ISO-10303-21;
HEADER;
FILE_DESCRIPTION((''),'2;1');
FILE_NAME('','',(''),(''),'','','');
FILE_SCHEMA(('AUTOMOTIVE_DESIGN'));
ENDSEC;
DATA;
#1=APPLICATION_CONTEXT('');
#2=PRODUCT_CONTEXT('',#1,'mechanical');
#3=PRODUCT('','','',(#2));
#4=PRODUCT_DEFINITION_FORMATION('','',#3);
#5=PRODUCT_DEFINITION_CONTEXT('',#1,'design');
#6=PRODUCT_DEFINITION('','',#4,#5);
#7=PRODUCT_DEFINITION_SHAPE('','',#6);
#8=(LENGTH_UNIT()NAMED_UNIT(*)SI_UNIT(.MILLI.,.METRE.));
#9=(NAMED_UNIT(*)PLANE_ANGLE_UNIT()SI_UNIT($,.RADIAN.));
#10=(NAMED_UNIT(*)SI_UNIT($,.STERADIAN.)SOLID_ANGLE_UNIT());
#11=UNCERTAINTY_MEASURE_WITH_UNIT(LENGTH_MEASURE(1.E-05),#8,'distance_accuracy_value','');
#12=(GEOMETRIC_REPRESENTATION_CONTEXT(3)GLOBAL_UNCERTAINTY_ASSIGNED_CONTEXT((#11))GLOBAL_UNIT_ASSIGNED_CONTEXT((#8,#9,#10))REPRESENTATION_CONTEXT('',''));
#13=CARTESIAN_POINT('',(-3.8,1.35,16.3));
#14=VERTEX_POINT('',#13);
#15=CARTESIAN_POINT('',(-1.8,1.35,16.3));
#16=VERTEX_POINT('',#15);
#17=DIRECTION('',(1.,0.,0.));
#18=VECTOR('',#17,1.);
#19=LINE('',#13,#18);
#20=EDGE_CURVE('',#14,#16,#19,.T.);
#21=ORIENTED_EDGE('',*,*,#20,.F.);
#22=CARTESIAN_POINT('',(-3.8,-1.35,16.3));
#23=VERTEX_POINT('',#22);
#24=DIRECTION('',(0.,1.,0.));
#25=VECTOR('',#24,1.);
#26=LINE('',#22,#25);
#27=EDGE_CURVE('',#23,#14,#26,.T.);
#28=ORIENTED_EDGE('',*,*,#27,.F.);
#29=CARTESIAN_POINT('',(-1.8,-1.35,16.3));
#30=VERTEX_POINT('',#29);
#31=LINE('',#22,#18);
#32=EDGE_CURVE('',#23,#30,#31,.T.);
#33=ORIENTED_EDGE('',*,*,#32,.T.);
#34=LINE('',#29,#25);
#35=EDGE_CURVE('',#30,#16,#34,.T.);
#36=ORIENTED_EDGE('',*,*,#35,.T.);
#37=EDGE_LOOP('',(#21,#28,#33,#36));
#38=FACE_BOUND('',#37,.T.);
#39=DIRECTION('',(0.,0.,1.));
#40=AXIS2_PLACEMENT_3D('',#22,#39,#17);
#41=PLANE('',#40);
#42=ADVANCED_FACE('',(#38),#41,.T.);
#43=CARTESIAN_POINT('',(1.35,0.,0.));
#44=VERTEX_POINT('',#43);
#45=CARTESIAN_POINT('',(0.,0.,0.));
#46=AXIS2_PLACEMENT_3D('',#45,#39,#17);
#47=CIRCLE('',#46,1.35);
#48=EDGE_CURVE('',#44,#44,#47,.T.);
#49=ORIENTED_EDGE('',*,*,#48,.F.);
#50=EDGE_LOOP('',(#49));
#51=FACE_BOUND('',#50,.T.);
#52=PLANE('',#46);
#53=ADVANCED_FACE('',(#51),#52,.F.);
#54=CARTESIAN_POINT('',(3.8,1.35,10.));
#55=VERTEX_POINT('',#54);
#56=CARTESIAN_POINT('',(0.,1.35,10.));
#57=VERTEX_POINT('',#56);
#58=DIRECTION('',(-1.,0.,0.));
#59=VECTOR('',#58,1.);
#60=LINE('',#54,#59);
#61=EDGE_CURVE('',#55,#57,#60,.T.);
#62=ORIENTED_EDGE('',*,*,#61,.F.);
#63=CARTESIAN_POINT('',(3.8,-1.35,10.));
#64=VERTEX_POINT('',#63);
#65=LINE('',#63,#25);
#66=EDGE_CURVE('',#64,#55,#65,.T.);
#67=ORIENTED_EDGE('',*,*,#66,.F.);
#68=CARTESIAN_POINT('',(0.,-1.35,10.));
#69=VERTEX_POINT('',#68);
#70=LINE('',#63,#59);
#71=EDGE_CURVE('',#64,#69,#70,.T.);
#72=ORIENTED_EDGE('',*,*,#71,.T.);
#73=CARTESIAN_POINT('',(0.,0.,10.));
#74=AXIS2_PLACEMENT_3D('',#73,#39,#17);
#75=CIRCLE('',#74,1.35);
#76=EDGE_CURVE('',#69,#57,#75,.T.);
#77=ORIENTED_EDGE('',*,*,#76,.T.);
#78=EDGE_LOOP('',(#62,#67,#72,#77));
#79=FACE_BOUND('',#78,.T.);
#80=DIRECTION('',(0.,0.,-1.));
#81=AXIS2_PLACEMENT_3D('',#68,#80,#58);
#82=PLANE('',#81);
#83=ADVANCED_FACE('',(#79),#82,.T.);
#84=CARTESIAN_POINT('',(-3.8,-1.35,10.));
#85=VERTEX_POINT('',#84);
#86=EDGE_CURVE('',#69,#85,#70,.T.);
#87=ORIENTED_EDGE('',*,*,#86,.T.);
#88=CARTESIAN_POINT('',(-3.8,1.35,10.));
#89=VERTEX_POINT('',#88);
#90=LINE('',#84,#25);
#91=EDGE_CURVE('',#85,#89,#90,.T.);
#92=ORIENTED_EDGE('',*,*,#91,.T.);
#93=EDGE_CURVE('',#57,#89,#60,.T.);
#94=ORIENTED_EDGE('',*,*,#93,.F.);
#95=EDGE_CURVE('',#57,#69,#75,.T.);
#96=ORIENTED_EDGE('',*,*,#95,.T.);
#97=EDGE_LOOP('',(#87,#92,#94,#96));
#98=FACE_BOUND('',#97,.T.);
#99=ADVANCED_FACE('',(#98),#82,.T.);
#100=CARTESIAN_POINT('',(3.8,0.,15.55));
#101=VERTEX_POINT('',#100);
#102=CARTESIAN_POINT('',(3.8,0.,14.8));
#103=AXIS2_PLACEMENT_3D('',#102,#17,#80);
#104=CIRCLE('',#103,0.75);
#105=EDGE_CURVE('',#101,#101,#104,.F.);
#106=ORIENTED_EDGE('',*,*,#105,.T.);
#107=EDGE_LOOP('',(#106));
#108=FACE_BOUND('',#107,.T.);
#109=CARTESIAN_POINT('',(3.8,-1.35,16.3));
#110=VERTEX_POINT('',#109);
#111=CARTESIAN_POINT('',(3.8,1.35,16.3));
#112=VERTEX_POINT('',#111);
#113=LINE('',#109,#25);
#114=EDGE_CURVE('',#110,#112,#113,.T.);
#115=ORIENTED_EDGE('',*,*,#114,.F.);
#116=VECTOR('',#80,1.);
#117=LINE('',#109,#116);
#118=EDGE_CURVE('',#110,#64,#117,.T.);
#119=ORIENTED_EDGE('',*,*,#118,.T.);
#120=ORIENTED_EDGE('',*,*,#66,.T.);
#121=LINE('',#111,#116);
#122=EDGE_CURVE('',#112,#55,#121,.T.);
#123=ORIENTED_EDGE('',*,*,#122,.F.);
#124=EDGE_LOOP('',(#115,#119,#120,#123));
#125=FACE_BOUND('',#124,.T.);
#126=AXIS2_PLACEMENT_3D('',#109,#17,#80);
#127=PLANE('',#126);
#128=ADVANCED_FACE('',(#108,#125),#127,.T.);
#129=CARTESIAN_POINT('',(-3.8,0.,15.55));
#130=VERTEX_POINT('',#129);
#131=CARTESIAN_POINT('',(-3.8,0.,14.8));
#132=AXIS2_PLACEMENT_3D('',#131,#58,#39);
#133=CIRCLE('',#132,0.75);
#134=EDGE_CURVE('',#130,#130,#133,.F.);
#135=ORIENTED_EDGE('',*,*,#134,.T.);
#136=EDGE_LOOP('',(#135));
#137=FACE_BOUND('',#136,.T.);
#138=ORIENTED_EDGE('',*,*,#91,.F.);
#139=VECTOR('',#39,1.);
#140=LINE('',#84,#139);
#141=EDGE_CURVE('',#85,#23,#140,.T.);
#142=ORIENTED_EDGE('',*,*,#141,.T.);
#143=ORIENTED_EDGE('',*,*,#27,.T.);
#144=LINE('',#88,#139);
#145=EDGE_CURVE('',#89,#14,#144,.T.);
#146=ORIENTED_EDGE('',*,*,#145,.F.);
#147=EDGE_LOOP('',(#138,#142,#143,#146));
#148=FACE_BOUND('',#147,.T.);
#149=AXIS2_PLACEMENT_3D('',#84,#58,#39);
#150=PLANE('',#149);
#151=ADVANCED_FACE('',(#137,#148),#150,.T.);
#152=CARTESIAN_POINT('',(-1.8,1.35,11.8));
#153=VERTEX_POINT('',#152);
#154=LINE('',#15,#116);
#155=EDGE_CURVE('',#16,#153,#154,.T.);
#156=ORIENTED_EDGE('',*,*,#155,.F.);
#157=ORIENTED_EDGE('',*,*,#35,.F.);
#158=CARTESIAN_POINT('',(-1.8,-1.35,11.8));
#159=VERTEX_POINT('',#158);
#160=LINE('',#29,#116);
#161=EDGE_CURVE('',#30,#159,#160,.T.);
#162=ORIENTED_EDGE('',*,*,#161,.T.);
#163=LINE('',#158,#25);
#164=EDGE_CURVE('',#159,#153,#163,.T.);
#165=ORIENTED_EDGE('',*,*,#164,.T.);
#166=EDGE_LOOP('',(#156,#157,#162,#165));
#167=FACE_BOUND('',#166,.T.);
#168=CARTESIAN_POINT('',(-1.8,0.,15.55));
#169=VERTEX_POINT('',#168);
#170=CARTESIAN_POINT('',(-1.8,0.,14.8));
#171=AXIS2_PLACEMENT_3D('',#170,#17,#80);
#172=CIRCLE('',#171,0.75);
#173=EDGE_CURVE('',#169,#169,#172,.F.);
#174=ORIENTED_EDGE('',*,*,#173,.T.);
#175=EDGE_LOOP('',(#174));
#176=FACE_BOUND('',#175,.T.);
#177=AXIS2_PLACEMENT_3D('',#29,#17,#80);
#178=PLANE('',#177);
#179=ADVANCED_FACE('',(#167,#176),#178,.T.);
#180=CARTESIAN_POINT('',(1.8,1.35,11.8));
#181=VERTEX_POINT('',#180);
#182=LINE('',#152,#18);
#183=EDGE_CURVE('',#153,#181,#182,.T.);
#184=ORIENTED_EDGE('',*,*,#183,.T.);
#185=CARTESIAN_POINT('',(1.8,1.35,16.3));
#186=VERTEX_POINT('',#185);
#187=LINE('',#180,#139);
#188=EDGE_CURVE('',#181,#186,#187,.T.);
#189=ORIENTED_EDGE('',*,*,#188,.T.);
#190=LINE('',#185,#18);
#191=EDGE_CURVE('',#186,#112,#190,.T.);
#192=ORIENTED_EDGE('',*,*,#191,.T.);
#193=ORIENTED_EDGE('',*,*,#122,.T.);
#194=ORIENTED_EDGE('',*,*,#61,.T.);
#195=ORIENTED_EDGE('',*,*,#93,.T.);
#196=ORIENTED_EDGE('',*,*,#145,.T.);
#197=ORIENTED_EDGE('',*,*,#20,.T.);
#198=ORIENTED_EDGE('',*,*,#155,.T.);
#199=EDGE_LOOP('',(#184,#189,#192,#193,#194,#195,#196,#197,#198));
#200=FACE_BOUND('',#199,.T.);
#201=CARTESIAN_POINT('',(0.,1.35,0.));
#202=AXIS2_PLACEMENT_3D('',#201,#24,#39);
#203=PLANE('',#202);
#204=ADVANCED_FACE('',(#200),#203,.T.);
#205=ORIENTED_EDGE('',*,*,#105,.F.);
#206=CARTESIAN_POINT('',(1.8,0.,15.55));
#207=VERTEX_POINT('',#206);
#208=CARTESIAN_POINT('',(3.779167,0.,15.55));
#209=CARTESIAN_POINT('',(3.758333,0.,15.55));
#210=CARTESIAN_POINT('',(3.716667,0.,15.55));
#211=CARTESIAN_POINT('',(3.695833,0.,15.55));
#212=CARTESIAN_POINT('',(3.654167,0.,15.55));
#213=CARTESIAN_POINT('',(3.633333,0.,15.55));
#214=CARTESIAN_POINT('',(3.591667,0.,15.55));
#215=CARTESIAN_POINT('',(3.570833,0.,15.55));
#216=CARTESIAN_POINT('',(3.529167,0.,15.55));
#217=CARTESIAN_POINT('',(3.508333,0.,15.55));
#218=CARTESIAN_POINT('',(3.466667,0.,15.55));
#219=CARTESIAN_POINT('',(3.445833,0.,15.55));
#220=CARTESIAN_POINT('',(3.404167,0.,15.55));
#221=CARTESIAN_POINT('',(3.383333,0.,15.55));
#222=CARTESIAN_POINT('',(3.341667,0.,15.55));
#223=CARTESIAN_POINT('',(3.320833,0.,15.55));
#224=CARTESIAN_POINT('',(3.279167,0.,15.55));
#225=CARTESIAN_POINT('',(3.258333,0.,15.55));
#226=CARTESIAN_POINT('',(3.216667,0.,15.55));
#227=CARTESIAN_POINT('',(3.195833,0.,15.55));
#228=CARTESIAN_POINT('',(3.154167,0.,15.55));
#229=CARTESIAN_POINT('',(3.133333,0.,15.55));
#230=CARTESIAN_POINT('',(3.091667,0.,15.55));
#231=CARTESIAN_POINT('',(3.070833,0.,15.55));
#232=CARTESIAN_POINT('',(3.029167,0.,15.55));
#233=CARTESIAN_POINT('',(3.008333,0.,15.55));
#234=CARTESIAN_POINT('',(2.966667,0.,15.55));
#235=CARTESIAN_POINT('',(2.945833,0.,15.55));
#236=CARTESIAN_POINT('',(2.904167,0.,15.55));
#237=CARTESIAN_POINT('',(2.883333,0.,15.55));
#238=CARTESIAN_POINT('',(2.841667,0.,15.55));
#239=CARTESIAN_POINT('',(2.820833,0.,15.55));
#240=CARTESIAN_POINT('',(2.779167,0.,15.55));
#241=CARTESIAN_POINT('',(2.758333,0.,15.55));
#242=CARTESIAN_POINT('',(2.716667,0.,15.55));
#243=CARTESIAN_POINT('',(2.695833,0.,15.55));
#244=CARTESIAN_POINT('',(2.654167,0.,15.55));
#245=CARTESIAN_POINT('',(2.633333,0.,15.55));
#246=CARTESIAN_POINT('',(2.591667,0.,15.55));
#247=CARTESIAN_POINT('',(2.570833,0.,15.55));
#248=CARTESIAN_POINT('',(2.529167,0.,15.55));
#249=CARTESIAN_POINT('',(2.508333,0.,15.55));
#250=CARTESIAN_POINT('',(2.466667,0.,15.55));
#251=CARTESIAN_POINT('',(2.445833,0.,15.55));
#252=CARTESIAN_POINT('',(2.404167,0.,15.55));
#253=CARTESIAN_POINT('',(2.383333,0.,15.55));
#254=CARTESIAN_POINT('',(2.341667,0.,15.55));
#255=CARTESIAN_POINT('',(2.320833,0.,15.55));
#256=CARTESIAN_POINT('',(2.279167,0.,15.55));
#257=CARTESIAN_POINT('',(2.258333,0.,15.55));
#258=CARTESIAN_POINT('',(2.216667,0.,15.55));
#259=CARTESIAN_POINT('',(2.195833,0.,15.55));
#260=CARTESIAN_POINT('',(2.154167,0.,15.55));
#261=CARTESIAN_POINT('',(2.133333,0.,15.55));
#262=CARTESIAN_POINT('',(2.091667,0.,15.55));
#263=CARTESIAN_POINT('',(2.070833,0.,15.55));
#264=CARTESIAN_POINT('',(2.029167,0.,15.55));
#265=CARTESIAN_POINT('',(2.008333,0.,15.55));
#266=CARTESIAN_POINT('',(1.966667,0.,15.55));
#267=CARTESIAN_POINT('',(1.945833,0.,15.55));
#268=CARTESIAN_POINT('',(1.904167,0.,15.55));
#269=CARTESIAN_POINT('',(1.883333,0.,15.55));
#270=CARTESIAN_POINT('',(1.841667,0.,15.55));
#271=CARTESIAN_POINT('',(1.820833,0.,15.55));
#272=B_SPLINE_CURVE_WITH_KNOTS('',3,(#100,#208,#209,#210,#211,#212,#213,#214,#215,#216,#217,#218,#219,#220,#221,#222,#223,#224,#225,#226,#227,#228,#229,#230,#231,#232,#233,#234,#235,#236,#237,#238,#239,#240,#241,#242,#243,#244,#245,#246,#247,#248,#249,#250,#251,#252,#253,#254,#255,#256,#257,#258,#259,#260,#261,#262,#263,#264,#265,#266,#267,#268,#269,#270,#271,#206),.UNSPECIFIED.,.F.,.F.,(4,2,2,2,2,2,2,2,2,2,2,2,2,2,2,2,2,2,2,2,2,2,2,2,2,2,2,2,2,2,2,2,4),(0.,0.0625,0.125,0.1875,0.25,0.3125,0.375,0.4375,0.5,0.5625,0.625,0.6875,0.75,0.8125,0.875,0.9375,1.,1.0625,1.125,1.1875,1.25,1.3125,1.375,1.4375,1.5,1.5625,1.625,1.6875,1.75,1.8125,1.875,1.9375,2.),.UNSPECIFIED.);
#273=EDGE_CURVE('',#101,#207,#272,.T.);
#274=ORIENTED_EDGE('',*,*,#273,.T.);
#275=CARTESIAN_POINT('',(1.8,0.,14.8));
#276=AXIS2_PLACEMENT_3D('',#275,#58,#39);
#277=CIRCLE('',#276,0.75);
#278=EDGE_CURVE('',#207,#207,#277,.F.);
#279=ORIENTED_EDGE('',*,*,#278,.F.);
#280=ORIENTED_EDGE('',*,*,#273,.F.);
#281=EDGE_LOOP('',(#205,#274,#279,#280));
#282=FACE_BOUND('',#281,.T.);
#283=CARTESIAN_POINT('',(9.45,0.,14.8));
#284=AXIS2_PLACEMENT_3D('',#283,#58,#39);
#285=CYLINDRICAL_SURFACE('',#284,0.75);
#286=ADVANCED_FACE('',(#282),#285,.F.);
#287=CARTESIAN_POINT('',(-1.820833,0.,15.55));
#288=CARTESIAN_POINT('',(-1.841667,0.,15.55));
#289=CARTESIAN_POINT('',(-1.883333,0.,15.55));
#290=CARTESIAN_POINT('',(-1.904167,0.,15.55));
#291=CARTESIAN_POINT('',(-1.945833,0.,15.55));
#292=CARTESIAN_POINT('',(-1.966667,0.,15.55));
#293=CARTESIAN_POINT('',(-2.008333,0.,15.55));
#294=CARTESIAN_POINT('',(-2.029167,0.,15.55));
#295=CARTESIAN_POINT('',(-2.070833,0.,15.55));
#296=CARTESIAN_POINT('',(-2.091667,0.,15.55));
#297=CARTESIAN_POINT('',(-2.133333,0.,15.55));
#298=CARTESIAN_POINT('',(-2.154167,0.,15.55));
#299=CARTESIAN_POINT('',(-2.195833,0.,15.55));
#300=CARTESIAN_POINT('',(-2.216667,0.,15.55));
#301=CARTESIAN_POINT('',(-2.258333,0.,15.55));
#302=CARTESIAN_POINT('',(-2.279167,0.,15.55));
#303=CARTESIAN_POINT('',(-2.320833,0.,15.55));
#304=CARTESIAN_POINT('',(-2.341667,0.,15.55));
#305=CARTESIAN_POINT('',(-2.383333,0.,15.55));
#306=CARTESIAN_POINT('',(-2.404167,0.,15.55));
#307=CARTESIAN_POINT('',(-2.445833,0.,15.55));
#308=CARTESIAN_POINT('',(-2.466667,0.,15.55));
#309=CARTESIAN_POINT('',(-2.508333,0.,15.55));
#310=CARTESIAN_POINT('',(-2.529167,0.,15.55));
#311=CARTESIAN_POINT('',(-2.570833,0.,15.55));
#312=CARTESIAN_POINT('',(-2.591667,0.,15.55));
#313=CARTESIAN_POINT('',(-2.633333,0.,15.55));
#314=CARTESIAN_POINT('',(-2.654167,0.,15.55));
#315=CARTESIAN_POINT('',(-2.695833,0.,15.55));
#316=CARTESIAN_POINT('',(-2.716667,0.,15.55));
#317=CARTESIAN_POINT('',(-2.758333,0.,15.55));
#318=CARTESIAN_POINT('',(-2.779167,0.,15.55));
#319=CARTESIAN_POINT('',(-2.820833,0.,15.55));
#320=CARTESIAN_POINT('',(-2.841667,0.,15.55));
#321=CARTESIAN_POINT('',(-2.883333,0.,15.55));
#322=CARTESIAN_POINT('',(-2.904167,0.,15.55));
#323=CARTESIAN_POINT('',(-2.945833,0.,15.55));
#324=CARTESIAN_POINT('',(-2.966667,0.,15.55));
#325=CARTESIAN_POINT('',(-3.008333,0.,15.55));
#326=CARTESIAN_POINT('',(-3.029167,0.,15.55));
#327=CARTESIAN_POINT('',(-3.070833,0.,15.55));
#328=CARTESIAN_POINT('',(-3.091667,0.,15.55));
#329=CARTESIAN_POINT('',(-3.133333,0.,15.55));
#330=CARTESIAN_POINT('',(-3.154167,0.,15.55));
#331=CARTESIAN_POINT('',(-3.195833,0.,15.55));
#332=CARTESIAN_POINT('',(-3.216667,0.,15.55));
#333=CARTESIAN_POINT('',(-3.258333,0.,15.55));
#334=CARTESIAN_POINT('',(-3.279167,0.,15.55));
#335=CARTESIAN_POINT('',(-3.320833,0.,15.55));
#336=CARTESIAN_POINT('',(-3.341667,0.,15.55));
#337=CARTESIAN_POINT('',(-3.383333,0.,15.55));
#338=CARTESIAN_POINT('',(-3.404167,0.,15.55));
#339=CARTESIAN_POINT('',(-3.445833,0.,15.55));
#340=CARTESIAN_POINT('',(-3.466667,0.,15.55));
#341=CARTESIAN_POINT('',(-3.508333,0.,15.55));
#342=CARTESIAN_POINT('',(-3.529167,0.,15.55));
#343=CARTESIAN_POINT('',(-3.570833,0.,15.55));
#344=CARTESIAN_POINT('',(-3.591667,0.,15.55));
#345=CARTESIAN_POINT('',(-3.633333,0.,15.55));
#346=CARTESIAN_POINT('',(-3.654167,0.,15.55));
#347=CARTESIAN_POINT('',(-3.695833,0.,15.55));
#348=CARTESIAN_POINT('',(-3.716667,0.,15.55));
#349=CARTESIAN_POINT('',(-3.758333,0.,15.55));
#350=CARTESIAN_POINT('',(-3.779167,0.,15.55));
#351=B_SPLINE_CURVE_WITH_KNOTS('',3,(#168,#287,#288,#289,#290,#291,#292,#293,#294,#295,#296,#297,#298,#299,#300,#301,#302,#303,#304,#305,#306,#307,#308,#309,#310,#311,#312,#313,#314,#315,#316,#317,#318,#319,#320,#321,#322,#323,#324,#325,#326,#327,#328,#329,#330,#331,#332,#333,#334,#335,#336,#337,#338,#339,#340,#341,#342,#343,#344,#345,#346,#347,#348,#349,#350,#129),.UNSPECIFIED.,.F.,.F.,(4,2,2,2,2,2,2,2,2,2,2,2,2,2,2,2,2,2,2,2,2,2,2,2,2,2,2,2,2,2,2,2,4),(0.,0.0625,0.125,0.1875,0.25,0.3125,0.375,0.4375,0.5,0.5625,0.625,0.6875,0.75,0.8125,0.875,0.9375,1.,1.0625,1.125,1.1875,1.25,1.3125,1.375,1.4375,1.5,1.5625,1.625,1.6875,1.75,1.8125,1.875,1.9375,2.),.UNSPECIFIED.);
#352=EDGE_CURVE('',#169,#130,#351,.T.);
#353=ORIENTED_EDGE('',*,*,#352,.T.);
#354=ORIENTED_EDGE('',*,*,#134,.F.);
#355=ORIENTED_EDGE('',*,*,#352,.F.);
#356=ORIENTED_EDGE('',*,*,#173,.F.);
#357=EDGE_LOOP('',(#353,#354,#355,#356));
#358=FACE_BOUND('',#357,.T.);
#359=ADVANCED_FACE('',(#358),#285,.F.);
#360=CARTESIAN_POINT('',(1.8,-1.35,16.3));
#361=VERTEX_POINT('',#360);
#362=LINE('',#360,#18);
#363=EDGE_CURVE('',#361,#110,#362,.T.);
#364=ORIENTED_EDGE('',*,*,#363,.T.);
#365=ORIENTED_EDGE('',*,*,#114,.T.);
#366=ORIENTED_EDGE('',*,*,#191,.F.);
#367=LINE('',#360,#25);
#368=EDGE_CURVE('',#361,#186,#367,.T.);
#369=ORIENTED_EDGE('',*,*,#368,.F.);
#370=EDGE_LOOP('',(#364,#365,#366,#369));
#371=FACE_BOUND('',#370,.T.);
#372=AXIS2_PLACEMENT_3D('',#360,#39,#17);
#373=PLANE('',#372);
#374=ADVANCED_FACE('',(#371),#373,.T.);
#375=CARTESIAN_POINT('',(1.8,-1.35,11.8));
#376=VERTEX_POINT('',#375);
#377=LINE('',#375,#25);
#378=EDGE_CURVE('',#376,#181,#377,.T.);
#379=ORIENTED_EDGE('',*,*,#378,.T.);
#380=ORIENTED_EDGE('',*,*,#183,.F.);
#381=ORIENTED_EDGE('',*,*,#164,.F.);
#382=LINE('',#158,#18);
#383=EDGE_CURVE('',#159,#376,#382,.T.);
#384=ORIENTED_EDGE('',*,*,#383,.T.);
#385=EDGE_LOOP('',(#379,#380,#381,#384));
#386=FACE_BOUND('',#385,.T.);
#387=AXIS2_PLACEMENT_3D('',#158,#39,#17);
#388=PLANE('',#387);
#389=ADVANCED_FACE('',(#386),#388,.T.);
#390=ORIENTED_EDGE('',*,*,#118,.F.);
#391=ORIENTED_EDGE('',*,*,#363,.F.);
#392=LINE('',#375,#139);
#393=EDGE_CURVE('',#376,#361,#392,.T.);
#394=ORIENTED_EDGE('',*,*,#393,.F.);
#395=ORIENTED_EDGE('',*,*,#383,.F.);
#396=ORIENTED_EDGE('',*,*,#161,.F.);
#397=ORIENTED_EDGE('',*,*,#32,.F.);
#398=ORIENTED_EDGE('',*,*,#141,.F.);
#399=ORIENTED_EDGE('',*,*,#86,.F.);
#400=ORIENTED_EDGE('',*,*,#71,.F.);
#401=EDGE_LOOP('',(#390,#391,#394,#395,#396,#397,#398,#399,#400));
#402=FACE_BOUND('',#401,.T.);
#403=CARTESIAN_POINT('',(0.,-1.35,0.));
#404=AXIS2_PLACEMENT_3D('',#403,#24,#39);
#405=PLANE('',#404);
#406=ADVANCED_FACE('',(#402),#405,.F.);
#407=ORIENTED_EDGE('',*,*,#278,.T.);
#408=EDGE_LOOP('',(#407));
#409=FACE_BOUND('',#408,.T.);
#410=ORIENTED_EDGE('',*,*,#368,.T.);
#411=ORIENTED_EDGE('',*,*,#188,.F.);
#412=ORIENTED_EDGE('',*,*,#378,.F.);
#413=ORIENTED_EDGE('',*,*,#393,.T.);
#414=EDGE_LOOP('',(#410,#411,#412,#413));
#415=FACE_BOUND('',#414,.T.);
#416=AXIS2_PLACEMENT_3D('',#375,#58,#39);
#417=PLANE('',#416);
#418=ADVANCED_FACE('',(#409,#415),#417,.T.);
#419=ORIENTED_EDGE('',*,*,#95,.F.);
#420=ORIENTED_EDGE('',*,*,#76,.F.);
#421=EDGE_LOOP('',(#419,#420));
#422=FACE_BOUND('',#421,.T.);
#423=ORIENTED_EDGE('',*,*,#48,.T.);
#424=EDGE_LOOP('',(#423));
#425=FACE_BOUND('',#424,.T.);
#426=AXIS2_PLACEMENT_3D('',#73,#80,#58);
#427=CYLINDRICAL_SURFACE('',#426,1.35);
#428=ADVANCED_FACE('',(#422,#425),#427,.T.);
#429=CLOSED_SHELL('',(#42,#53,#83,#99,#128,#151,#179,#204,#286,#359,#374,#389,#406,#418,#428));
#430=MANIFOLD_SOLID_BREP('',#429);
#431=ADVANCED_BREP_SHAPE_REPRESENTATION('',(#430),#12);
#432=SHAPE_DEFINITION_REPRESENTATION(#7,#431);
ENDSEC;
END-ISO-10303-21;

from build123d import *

# Parameters (mm, degrees)
SKETCH1_R                = 1.35
BOSS_EXTRUDE1_DEPTH      = 10
BOSS_EXTRUDE5_DEPTH      = 1.35
BOSS_EXTRUDE5_DEPTH_BACK = 1.35
CUT_EXTRUDE1_DEPTH       = 11.25
CUT_EXTRUDE1_DEPTH_BACK  = 11.25
SKETCH4_R                = 0.75


with BuildPart() as part:
    # Sketch1 → Boss-Extrude1 (new body)
    with BuildSketch(Plane.XY):
        Circle(SKETCH1_R)
    extrude(amount=BOSS_EXTRUDE1_DEPTH)

    # Sketch3 → Boss-Extrude5 (add, two sides: drawn at the far end of the back side and taken through both)
    with BuildSketch(Plane(origin=(0, 0, 0), x_dir=(1, 0, 0), z_dir=(0, 1, 0)).offset(-BOSS_EXTRUDE5_DEPTH_BACK)):
        Polygon((0, -10), (-3.8, -10), (-3.8, -16.3), (-1.8, -16.3), (-1.8, -11.8), (1.8, -11.8), (1.8, -16.3), (3.8, -16.3), (3.8, -10), align=None)
    extrude(amount=BOSS_EXTRUDE5_DEPTH + BOSS_EXTRUDE5_DEPTH_BACK)

    # Sketch4 → Cut-Extrude1 (cut, two sides: drawn at the far end of the back side and taken through both)
    with BuildSketch(Plane(origin=(-1.8, 0, 0), x_dir=(0, 0, -1), z_dir=(1, 0, 0)).offset(-CUT_EXTRUDE1_DEPTH_BACK)):
        with Locations((-14.8, 0)):
            Circle(SKETCH4_R)
    extrude(amount=CUT_EXTRUDE1_DEPTH + CUT_EXTRUDE1_DEPTH_BACK, mode=Mode.SUBTRACT)


solid = part.part
